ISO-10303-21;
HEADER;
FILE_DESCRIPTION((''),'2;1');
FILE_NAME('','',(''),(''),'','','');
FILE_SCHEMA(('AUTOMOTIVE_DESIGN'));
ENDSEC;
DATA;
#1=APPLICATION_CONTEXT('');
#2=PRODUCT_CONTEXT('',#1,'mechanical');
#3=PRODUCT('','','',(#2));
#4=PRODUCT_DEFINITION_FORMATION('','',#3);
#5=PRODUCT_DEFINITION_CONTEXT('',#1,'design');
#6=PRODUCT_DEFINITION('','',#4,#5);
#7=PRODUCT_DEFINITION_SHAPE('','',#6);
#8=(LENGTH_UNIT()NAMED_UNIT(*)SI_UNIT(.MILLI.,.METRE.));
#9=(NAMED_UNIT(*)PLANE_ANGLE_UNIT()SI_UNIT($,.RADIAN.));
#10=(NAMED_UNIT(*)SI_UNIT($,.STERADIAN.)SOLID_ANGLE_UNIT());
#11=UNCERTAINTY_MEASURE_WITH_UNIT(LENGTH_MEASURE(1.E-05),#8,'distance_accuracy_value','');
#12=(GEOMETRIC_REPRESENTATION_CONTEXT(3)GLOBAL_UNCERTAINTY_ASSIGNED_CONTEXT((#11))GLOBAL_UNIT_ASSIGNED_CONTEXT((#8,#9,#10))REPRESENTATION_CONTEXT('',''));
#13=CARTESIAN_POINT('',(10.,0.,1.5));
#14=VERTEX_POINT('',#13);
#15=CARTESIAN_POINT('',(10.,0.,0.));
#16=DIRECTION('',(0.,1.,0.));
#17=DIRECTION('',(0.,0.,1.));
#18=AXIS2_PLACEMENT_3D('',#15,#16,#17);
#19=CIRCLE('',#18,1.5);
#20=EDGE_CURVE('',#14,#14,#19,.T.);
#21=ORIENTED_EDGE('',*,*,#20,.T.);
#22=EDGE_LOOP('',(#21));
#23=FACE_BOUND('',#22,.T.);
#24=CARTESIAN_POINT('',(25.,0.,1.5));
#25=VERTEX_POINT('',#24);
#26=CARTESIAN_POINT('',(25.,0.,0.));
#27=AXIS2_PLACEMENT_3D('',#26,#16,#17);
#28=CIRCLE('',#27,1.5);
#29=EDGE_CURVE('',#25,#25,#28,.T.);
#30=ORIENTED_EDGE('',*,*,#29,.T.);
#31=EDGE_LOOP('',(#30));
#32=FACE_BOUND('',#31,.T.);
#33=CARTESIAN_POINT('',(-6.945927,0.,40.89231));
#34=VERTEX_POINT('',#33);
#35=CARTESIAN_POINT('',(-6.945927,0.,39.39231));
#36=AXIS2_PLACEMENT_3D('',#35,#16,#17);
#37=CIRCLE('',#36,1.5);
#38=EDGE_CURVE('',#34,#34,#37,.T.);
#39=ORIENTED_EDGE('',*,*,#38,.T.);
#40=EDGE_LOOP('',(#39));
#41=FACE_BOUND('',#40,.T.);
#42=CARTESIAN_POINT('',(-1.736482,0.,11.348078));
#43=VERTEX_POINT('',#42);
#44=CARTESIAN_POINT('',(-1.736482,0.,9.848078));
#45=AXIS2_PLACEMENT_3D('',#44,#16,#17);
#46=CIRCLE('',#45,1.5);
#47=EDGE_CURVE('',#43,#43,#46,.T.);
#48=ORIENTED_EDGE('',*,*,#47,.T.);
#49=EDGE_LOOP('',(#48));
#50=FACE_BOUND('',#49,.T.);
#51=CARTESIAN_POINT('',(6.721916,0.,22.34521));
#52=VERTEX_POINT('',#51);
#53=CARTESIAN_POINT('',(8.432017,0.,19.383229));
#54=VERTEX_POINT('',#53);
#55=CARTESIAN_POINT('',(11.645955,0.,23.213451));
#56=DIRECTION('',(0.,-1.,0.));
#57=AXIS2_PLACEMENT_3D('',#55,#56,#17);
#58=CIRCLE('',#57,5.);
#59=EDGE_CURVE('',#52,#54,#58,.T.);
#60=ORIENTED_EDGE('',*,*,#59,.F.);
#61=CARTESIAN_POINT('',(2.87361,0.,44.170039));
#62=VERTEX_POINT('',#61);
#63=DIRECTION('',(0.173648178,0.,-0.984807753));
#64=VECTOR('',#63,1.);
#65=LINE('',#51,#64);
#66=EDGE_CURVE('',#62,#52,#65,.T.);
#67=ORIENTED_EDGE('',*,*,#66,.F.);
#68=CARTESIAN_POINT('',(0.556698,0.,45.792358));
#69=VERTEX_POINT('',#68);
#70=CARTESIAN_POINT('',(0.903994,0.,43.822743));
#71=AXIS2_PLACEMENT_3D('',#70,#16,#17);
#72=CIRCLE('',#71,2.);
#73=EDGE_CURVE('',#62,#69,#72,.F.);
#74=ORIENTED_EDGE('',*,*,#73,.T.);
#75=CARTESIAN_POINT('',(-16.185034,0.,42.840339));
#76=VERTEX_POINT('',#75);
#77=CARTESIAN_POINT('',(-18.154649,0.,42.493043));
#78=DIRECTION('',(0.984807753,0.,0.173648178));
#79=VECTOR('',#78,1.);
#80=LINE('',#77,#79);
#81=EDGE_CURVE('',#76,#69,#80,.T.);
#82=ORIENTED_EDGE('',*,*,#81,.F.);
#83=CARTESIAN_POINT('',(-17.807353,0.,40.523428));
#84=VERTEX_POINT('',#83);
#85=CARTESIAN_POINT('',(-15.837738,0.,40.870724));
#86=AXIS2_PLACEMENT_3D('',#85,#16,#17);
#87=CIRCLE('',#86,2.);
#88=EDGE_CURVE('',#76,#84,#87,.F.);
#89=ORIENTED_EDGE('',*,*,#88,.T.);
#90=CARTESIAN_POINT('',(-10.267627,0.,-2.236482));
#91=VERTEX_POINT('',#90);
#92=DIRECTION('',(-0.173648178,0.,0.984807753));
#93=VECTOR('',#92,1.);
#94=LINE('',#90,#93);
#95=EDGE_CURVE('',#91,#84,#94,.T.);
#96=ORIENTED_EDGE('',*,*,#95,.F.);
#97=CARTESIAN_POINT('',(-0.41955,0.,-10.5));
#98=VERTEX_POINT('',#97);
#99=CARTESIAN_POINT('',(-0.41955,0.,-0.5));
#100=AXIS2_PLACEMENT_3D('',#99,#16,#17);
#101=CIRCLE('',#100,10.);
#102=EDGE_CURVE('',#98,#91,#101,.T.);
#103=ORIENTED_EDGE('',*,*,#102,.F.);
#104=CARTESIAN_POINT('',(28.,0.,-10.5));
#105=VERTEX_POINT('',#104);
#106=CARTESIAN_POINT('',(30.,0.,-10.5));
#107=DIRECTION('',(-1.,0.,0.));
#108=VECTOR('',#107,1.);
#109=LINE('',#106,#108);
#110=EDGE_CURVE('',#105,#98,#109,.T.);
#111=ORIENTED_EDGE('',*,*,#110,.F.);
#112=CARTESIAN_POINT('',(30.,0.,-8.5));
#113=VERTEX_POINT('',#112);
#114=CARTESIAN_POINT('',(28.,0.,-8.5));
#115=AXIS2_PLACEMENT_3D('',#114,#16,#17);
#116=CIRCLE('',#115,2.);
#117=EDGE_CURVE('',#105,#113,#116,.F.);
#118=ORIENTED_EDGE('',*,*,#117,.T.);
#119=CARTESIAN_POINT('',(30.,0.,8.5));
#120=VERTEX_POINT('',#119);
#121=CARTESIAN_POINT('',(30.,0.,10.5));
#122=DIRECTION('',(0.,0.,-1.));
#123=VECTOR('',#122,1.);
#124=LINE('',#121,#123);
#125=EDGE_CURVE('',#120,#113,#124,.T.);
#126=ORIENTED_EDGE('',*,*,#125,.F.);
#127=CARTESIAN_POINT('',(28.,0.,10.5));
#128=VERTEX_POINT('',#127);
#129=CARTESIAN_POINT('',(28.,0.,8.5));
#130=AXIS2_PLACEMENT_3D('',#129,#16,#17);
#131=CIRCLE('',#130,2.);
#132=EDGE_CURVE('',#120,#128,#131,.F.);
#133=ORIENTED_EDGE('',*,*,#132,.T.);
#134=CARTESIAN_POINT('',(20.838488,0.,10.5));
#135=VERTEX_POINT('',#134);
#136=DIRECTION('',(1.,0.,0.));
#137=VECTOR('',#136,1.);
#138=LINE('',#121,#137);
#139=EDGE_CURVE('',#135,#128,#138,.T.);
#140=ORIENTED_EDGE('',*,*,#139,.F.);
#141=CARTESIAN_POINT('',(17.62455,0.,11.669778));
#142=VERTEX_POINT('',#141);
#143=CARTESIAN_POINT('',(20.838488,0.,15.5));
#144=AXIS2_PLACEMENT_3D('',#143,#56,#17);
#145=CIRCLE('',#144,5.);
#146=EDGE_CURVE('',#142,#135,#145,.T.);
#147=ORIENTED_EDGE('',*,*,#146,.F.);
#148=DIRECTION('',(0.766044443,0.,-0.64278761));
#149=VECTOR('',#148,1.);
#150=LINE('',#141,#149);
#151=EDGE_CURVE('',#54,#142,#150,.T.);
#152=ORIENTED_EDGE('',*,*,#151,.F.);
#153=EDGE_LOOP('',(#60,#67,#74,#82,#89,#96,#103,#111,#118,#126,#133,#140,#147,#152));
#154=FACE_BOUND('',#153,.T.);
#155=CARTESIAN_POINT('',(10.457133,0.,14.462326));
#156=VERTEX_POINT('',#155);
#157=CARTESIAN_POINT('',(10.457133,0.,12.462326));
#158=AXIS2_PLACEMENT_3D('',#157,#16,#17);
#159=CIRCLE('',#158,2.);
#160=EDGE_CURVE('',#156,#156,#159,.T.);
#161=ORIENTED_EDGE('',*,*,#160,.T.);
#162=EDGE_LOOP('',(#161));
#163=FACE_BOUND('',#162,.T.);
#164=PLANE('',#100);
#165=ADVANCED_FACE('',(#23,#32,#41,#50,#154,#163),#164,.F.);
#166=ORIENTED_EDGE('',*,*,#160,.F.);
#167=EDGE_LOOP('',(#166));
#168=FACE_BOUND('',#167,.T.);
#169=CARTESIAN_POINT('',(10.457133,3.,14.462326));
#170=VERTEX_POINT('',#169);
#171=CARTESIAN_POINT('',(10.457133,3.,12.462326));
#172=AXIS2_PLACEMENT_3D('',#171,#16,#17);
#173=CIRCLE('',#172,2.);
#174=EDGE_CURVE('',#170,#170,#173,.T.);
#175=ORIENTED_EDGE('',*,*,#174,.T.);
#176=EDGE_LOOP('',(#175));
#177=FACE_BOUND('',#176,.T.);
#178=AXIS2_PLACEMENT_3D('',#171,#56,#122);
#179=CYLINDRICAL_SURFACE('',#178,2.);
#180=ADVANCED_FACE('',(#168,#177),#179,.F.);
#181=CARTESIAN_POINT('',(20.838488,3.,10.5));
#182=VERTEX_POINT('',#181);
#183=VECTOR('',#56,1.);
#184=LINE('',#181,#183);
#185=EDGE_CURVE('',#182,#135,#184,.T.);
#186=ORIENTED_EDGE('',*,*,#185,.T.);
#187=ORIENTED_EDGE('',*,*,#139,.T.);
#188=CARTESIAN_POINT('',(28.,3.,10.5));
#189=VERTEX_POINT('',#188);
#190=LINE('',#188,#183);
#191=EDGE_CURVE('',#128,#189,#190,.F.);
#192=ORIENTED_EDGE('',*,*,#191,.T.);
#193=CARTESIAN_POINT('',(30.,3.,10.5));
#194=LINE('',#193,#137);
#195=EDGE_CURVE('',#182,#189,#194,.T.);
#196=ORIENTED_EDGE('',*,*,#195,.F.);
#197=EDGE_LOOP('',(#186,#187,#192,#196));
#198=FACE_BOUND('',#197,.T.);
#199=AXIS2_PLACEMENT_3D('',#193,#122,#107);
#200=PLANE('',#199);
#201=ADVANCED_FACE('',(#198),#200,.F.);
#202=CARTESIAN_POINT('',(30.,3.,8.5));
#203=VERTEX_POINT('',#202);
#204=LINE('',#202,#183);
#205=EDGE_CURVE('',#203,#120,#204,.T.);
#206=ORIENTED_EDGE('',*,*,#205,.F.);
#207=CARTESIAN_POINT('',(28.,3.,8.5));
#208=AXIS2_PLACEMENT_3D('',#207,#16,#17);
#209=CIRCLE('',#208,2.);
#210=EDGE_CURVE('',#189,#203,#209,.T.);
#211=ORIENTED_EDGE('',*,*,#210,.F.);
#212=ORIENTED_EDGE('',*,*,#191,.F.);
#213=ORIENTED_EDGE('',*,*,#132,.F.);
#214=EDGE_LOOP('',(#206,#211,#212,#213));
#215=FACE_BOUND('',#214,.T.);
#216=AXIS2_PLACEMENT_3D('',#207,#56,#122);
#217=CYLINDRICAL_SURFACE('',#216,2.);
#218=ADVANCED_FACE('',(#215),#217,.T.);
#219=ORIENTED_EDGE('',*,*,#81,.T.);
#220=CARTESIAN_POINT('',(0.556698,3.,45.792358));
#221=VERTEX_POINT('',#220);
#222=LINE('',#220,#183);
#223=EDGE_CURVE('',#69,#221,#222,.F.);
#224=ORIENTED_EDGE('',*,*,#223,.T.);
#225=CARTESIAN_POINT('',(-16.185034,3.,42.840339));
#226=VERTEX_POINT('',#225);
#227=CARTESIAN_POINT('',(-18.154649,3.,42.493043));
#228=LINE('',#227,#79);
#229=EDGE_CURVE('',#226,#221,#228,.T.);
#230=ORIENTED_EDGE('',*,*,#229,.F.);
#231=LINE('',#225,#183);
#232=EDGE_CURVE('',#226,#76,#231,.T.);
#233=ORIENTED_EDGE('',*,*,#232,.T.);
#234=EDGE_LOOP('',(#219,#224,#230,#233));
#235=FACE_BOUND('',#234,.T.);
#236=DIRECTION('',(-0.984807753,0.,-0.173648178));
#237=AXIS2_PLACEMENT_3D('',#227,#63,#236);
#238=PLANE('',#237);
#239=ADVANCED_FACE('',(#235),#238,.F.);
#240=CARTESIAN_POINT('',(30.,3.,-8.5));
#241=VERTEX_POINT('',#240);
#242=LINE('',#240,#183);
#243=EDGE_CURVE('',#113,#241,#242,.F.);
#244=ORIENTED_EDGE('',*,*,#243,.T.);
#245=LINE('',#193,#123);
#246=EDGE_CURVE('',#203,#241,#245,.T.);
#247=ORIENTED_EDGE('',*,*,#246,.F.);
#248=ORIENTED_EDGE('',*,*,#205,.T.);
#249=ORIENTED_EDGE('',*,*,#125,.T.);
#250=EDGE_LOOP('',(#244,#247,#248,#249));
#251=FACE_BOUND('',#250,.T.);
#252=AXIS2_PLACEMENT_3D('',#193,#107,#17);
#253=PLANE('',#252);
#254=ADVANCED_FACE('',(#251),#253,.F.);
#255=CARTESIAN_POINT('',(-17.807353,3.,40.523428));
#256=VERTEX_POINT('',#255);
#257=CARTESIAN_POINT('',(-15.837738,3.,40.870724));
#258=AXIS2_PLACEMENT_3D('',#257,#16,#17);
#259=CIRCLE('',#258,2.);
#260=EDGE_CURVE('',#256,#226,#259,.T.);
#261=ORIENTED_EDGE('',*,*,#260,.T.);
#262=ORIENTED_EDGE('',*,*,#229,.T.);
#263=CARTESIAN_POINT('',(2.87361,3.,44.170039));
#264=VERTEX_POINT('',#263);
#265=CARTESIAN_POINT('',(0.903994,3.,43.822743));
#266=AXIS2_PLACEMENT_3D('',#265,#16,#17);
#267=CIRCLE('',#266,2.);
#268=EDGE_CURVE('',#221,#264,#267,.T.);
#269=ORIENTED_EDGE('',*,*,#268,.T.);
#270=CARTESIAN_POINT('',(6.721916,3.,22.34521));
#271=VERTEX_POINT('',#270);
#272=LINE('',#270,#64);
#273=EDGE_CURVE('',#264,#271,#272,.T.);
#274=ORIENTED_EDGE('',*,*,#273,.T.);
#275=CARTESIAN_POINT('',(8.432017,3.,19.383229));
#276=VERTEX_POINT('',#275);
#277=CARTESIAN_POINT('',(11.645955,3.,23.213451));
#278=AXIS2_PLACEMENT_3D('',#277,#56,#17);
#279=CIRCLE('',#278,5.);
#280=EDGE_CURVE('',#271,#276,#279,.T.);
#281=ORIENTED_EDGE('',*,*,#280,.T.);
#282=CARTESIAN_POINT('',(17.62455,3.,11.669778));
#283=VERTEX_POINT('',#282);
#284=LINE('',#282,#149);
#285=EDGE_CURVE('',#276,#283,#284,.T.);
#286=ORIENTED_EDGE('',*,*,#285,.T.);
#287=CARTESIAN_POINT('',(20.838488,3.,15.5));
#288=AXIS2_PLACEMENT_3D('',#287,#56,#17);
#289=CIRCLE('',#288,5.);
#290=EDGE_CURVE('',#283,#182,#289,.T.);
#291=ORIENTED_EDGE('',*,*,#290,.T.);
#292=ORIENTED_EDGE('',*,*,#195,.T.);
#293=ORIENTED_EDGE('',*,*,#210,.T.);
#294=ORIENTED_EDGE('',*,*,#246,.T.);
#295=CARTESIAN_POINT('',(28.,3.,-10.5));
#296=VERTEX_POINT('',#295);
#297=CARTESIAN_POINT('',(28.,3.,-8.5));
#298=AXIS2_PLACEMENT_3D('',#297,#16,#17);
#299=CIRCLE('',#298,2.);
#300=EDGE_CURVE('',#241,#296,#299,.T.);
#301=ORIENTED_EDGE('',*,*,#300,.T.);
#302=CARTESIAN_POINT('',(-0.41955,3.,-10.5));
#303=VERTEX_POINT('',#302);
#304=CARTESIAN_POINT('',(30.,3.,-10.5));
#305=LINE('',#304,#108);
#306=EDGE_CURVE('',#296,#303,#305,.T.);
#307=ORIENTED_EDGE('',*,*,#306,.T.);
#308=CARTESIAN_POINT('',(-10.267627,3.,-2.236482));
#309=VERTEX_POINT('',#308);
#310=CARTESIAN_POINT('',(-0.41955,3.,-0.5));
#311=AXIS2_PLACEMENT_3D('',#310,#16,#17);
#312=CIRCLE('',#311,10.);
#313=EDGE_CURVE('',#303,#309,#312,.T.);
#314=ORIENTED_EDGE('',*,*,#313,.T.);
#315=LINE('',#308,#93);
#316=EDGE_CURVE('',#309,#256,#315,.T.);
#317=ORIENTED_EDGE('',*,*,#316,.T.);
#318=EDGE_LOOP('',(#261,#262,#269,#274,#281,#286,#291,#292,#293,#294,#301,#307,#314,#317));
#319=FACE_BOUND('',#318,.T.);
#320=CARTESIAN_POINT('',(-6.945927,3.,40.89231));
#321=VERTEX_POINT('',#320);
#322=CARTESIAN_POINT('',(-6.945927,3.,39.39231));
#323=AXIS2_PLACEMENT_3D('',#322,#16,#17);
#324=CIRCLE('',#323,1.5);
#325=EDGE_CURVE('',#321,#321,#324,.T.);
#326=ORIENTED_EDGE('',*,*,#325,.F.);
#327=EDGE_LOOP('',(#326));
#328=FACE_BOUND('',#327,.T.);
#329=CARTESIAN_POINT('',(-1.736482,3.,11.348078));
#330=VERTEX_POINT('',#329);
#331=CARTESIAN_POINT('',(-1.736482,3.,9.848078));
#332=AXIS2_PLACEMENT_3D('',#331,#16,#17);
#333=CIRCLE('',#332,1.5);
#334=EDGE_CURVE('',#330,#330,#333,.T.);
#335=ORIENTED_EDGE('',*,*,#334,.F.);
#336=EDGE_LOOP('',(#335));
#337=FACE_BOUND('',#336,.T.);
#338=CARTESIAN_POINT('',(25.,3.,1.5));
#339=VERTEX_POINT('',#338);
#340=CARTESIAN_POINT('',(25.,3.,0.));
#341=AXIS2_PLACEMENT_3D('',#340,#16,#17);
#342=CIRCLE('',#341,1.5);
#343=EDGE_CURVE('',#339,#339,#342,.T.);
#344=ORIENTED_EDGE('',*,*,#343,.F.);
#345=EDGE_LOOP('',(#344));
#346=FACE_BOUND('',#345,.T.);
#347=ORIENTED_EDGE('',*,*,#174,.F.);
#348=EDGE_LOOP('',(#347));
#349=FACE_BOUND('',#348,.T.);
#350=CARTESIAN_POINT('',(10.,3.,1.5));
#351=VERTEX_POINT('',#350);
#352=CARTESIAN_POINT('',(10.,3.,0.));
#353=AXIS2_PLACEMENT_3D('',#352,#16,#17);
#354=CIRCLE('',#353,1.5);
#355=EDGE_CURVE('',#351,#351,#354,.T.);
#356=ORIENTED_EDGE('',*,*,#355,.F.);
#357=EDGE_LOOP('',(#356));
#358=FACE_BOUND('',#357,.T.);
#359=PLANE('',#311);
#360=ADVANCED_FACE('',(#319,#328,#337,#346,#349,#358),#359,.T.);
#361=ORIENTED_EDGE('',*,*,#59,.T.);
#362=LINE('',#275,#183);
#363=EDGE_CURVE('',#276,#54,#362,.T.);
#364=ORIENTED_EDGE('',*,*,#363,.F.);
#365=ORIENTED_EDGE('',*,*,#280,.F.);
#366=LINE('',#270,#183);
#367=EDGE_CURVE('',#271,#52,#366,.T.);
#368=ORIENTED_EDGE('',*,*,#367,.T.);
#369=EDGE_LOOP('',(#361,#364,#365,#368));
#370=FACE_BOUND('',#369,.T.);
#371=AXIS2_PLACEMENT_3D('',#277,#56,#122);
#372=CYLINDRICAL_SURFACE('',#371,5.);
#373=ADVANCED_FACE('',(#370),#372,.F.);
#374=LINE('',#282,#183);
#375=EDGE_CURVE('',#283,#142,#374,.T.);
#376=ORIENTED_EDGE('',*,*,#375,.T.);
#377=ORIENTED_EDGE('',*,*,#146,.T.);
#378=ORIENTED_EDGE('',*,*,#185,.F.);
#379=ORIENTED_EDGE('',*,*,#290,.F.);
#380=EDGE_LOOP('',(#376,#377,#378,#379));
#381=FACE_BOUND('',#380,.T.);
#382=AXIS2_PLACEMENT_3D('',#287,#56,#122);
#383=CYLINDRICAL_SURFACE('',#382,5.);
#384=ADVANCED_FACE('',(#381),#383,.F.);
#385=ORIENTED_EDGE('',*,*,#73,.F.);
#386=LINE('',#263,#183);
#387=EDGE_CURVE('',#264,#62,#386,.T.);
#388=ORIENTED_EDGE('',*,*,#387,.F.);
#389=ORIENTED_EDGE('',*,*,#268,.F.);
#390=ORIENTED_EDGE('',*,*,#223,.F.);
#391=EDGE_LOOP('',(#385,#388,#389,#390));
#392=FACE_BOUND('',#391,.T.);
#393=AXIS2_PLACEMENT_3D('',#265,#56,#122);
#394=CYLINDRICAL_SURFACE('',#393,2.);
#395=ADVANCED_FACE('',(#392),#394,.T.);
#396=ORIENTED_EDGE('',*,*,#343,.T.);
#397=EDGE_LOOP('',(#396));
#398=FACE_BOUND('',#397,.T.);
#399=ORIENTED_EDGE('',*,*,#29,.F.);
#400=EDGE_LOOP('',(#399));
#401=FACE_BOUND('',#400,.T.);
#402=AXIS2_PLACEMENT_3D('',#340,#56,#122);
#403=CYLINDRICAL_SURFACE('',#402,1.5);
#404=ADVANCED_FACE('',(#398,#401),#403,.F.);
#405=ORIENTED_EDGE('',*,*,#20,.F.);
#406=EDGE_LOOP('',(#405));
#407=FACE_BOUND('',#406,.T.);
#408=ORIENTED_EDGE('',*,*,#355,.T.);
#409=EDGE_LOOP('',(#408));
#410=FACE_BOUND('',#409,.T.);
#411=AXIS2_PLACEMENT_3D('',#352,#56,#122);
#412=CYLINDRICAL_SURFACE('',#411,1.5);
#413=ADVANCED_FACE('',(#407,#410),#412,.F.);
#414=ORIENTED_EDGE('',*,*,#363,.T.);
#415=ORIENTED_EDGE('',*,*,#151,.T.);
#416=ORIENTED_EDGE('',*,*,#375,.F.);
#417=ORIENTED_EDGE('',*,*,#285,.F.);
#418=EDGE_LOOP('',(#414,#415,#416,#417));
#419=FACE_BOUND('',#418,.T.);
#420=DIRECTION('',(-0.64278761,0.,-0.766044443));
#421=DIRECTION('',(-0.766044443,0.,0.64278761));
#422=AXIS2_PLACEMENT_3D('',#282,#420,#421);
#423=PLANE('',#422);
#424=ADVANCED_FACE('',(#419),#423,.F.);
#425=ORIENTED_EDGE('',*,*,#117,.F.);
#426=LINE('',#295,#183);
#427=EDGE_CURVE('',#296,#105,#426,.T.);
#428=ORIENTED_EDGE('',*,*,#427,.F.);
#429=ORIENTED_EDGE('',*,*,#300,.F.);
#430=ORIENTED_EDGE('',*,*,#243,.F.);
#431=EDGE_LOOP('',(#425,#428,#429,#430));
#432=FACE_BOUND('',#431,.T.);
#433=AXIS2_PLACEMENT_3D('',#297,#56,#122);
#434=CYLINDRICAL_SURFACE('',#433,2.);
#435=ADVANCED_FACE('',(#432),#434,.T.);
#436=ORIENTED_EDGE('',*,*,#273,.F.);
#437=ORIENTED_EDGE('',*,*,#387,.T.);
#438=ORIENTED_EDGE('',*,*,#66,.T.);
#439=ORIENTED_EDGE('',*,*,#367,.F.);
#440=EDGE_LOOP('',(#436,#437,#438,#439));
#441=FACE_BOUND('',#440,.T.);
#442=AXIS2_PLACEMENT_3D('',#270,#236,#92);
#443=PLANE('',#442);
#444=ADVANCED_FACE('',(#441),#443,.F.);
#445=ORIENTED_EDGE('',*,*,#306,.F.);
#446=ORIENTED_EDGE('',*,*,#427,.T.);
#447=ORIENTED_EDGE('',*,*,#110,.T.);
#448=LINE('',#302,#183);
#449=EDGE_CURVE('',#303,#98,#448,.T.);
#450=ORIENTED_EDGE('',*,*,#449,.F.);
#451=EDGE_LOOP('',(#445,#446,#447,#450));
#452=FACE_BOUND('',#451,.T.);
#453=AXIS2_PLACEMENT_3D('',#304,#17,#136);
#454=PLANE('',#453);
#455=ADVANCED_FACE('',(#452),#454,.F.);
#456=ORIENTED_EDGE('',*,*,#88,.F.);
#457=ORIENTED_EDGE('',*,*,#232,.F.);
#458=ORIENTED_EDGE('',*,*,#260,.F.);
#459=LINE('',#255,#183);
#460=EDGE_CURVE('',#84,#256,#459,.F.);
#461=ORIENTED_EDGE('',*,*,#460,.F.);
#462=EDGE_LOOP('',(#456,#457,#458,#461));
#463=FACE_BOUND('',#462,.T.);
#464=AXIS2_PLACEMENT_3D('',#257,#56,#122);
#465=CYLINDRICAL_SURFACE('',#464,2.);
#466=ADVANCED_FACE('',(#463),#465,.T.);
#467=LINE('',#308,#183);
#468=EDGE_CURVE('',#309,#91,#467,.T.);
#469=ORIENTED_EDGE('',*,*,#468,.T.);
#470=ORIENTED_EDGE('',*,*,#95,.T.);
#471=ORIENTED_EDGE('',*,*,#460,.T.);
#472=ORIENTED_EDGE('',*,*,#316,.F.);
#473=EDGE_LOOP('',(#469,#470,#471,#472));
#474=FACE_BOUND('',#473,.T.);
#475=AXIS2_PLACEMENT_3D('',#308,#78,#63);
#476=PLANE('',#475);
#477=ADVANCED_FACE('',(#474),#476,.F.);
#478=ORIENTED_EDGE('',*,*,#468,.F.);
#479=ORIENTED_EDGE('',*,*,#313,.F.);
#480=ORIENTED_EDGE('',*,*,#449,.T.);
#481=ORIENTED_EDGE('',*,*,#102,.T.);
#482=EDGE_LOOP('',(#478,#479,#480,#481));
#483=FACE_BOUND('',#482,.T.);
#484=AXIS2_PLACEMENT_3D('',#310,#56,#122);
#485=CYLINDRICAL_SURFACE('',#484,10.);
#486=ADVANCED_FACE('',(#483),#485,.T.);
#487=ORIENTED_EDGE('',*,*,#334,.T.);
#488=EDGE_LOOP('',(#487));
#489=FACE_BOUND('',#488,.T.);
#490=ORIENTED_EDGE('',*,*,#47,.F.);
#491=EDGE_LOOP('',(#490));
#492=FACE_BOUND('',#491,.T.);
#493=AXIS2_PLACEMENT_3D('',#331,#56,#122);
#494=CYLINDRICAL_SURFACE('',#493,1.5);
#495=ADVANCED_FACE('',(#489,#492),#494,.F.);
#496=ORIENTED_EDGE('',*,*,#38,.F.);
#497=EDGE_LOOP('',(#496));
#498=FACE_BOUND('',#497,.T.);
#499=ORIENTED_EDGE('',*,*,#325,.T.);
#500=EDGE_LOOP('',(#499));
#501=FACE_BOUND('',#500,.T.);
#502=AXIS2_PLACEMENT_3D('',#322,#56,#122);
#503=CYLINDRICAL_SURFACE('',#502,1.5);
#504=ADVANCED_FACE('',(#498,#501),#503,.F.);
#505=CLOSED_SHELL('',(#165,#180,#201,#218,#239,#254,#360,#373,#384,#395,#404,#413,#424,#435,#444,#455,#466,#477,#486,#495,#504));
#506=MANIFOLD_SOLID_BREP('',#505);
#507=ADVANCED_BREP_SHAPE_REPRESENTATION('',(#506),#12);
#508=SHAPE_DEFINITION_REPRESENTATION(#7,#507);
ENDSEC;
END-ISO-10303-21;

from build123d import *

# Parameters (mm, degrees)
SKETCH_1_R      = 1.5
SKETCH_1_R_2    = 2
EXTRUDE_1_DEPTH = 3
FILLET_1_R      = 2


with BuildPart() as part:
    # 草图1 → 凸台-拉伸1 (new body)
    with BuildSketch(Plane(origin=(0, 0, 0), x_dir=(1, 0, 0), z_dir=(0, 1, 0))):
        with BuildLine():
            Line((30, -10.5), (20.838488019, -10.5))
            ThreePointArc((20.838488019, -10.5), (19.128387303, -10.801536896), (17.624549971, -11.669777784))
            Line((17.624549971, -11.669777784), (8.432016653, -19.383229101))
            ThreePointArc((8.432016653, -19.383229101), (7.315827683, -20.713451316), (6.721915937, -22.345210428))
            Line((6.721915937, -22.345210428), (2.526313412, -46.139654751))
            Line((2.526313412, -46.139654751), (-18.154649402, -42.49304302))
            Line((-18.154649402, -42.49304302), (-10.267627346, 2.236481777))
            ThreePointArc((-10.267627346, 2.236481777), (-6.847425912, 8.160444431), (-0.419549816, 10.5))
            Line((-0.419549816, 10.5), (30, 10.5))
            Line((30, 10.5), (30, -10.5))
        make_face()
        with Locations(Location((25, 0, 0), (0, 0, 270))):
            Circle(SKETCH_1_R, mode=Mode.SUBTRACT)
        with Locations(Location((10, 0, 0), (0, 0, 270))):
            Circle(SKETCH_1_R, mode=Mode.SUBTRACT)
        with Locations(Location((-6.945927107, -39.39231012, 0), (0, 0, 270))):
            Circle(SKETCH_1_R, mode=Mode.SUBTRACT)
        with Locations(Location((-1.736481777, -9.84807753, 0), (0, 0, 270))):
            Circle(SKETCH_1_R, mode=Mode.SUBTRACT)
        with Locations(Location((10.457132873, -12.46232567, 0), (0, 0, 270))):
            Circle(SKETCH_1_R_2, mode=Mode.SUBTRACT)
    extrude(amount=EXTRUDE_1_DEPTH)

    # 圆角1
    fillet_1_edges = [part.edges().sort_by_distance(p)[0] for p in [
        (2.526313412, 1.5, 46.139654751),
        (-18.154649402, 1.5, 42.49304302),
        (30, 1.5, -10.5),
        (30, 1.5, 10.5),
    ]]
    fillet(fillet_1_edges, radius=FILLET_1_R)


solid = part.part
